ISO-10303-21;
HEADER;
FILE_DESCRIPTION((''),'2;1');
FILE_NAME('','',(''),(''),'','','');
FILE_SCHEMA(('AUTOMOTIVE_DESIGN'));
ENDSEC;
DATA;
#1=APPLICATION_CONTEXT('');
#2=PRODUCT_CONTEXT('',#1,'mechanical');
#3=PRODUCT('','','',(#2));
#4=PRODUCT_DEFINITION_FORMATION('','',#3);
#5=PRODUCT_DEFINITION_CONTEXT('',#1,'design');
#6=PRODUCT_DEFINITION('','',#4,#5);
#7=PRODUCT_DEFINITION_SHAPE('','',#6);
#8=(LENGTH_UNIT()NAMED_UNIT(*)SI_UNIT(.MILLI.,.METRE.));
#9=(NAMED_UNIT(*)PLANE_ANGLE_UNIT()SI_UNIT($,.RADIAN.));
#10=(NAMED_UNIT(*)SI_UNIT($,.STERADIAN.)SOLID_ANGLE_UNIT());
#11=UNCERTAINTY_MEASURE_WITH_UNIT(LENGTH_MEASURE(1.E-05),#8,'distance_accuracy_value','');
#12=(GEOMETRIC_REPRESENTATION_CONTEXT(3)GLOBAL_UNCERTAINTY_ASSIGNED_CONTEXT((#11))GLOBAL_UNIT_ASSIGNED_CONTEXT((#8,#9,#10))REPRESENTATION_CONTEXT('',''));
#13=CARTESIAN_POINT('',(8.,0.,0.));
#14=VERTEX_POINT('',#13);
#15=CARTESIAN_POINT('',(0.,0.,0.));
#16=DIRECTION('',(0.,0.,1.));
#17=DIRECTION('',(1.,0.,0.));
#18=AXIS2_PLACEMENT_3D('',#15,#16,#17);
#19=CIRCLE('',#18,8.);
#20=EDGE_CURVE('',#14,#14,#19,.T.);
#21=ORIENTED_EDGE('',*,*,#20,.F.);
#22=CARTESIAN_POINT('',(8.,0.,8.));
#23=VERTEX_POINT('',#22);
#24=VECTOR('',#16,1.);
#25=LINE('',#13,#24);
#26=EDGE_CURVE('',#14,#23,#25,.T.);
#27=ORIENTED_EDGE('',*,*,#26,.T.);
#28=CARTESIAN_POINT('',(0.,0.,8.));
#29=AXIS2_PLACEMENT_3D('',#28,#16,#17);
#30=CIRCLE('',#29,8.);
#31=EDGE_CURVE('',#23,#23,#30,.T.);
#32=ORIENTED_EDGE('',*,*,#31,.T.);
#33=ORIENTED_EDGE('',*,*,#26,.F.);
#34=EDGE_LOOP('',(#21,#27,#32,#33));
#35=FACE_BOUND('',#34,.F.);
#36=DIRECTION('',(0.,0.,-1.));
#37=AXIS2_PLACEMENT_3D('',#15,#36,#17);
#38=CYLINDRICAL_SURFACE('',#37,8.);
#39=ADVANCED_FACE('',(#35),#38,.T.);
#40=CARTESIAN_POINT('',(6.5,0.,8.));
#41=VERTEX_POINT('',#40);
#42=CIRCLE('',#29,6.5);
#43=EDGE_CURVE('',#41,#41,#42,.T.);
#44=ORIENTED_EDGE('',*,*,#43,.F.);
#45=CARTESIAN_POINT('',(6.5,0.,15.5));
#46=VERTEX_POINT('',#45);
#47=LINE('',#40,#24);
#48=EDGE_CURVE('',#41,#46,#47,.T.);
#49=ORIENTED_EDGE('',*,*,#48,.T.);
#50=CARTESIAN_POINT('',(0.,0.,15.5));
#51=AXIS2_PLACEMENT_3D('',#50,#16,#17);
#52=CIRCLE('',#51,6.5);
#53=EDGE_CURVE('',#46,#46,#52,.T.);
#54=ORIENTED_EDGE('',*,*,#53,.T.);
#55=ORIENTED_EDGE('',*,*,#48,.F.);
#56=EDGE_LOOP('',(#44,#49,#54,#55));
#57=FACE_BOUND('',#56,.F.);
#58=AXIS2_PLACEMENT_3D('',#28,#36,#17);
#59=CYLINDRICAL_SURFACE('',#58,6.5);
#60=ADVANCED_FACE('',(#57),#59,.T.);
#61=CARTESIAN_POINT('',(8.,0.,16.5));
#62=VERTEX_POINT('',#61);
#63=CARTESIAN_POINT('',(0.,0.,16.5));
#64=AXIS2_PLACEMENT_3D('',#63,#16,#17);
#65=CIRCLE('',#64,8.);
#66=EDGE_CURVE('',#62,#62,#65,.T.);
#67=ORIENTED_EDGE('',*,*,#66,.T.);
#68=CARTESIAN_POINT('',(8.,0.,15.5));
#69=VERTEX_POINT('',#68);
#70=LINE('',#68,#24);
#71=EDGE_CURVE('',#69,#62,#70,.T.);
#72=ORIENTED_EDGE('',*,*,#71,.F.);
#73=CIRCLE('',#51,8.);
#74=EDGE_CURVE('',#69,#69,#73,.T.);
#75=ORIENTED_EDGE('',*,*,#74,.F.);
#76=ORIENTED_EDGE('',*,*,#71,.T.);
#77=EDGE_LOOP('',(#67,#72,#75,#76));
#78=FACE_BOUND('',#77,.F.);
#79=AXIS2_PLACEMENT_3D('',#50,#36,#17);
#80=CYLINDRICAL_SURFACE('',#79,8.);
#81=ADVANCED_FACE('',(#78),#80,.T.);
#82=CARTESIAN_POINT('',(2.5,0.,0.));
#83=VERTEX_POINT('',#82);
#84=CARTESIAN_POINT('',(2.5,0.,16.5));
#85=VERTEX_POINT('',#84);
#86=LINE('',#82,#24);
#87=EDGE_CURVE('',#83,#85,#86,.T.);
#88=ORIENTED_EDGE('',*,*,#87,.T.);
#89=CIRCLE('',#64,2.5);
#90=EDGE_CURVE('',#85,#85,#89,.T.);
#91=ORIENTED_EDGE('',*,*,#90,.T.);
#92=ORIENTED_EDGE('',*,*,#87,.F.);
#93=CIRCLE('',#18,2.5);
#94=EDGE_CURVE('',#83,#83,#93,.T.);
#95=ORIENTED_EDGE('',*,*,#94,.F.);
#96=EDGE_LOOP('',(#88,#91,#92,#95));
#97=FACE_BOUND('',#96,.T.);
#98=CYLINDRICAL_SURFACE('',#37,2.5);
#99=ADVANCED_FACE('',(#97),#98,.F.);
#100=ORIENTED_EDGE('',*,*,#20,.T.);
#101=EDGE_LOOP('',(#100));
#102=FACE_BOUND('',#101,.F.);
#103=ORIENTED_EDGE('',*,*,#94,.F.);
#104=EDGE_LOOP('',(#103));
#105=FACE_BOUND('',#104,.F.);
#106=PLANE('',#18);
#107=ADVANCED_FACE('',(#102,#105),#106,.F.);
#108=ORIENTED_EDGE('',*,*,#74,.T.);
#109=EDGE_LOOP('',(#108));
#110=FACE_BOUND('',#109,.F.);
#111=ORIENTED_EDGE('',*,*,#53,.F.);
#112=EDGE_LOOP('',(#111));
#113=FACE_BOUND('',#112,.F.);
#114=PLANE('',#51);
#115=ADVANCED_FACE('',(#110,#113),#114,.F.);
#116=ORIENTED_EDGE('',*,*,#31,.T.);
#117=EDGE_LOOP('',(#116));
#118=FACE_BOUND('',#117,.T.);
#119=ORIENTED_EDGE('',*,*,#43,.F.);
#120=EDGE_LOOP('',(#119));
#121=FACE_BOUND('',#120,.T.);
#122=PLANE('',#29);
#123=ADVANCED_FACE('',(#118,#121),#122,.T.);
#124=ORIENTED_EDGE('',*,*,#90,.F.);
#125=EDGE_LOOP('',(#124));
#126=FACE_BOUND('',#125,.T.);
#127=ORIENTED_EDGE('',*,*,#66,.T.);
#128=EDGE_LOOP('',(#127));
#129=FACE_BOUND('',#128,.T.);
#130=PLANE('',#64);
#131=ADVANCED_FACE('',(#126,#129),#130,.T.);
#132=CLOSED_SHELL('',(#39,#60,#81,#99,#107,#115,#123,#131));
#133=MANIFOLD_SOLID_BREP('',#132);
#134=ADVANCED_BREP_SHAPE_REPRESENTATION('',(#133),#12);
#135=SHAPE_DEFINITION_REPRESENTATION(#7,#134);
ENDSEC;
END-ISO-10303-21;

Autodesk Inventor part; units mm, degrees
ref_plane "YZ Plane" through (0, 0, 0) normal (1, 0, 0) x (0, 1, 0)
ref_plane "XZ Plane" through (0, 0, 0) normal (0, 1, 0) x (-1, 0, 0)
ref_plane "XY Plane" through (0, 0, 0) normal (0, 0, 1) x (1, 0, 0)
sketch "Szkic1" plane through (0, 0, 0) normal (0, 0, 1) x (1, 0, 0)
  circle A0 centre (0, 0) radius 2.5
  circle A1 centre (0, 0) radius 8
  dimension "d0" = 5
  dimension "d1" = 16
extrude "Wyciągnięcie proste1" add sketch "Szkic1" along normal blind 8
sketch "Szkic2" plane through (0, 0, 8) normal (0, 0, 1) x (1, 0, 0)
  circle A0 centre (0, 0) radius 2.5 projected
  circle A1 centre (0, 0) radius 8 projected
  circle A2 centre (0, 0) radius 6.5
  dimension "d4" = 13
extrude "Wyciągnięcie proste2" add sketch "Szkic2" along normal blind 7.5 contours A2
sketch "Szkic3" plane through (0, 0, 15.5) normal (0, 0, 1) x (1, 0, 0)
  circle A0 centre (0, 0) radius 6.5 projected
  circle A1 centre (0, 0) radius 8 projected
  circle A2 centre (0, 0) radius 2.5 projected
  circle A3 centre (0, 0) radius 6.5 projected
extrude "Wyciągnięcie proste3" add sketch "Szkic3" along normal blind 1 contours A0 | A1
properties part number "COTS_GENERIC_MXL_Pulley_X_Axis"
